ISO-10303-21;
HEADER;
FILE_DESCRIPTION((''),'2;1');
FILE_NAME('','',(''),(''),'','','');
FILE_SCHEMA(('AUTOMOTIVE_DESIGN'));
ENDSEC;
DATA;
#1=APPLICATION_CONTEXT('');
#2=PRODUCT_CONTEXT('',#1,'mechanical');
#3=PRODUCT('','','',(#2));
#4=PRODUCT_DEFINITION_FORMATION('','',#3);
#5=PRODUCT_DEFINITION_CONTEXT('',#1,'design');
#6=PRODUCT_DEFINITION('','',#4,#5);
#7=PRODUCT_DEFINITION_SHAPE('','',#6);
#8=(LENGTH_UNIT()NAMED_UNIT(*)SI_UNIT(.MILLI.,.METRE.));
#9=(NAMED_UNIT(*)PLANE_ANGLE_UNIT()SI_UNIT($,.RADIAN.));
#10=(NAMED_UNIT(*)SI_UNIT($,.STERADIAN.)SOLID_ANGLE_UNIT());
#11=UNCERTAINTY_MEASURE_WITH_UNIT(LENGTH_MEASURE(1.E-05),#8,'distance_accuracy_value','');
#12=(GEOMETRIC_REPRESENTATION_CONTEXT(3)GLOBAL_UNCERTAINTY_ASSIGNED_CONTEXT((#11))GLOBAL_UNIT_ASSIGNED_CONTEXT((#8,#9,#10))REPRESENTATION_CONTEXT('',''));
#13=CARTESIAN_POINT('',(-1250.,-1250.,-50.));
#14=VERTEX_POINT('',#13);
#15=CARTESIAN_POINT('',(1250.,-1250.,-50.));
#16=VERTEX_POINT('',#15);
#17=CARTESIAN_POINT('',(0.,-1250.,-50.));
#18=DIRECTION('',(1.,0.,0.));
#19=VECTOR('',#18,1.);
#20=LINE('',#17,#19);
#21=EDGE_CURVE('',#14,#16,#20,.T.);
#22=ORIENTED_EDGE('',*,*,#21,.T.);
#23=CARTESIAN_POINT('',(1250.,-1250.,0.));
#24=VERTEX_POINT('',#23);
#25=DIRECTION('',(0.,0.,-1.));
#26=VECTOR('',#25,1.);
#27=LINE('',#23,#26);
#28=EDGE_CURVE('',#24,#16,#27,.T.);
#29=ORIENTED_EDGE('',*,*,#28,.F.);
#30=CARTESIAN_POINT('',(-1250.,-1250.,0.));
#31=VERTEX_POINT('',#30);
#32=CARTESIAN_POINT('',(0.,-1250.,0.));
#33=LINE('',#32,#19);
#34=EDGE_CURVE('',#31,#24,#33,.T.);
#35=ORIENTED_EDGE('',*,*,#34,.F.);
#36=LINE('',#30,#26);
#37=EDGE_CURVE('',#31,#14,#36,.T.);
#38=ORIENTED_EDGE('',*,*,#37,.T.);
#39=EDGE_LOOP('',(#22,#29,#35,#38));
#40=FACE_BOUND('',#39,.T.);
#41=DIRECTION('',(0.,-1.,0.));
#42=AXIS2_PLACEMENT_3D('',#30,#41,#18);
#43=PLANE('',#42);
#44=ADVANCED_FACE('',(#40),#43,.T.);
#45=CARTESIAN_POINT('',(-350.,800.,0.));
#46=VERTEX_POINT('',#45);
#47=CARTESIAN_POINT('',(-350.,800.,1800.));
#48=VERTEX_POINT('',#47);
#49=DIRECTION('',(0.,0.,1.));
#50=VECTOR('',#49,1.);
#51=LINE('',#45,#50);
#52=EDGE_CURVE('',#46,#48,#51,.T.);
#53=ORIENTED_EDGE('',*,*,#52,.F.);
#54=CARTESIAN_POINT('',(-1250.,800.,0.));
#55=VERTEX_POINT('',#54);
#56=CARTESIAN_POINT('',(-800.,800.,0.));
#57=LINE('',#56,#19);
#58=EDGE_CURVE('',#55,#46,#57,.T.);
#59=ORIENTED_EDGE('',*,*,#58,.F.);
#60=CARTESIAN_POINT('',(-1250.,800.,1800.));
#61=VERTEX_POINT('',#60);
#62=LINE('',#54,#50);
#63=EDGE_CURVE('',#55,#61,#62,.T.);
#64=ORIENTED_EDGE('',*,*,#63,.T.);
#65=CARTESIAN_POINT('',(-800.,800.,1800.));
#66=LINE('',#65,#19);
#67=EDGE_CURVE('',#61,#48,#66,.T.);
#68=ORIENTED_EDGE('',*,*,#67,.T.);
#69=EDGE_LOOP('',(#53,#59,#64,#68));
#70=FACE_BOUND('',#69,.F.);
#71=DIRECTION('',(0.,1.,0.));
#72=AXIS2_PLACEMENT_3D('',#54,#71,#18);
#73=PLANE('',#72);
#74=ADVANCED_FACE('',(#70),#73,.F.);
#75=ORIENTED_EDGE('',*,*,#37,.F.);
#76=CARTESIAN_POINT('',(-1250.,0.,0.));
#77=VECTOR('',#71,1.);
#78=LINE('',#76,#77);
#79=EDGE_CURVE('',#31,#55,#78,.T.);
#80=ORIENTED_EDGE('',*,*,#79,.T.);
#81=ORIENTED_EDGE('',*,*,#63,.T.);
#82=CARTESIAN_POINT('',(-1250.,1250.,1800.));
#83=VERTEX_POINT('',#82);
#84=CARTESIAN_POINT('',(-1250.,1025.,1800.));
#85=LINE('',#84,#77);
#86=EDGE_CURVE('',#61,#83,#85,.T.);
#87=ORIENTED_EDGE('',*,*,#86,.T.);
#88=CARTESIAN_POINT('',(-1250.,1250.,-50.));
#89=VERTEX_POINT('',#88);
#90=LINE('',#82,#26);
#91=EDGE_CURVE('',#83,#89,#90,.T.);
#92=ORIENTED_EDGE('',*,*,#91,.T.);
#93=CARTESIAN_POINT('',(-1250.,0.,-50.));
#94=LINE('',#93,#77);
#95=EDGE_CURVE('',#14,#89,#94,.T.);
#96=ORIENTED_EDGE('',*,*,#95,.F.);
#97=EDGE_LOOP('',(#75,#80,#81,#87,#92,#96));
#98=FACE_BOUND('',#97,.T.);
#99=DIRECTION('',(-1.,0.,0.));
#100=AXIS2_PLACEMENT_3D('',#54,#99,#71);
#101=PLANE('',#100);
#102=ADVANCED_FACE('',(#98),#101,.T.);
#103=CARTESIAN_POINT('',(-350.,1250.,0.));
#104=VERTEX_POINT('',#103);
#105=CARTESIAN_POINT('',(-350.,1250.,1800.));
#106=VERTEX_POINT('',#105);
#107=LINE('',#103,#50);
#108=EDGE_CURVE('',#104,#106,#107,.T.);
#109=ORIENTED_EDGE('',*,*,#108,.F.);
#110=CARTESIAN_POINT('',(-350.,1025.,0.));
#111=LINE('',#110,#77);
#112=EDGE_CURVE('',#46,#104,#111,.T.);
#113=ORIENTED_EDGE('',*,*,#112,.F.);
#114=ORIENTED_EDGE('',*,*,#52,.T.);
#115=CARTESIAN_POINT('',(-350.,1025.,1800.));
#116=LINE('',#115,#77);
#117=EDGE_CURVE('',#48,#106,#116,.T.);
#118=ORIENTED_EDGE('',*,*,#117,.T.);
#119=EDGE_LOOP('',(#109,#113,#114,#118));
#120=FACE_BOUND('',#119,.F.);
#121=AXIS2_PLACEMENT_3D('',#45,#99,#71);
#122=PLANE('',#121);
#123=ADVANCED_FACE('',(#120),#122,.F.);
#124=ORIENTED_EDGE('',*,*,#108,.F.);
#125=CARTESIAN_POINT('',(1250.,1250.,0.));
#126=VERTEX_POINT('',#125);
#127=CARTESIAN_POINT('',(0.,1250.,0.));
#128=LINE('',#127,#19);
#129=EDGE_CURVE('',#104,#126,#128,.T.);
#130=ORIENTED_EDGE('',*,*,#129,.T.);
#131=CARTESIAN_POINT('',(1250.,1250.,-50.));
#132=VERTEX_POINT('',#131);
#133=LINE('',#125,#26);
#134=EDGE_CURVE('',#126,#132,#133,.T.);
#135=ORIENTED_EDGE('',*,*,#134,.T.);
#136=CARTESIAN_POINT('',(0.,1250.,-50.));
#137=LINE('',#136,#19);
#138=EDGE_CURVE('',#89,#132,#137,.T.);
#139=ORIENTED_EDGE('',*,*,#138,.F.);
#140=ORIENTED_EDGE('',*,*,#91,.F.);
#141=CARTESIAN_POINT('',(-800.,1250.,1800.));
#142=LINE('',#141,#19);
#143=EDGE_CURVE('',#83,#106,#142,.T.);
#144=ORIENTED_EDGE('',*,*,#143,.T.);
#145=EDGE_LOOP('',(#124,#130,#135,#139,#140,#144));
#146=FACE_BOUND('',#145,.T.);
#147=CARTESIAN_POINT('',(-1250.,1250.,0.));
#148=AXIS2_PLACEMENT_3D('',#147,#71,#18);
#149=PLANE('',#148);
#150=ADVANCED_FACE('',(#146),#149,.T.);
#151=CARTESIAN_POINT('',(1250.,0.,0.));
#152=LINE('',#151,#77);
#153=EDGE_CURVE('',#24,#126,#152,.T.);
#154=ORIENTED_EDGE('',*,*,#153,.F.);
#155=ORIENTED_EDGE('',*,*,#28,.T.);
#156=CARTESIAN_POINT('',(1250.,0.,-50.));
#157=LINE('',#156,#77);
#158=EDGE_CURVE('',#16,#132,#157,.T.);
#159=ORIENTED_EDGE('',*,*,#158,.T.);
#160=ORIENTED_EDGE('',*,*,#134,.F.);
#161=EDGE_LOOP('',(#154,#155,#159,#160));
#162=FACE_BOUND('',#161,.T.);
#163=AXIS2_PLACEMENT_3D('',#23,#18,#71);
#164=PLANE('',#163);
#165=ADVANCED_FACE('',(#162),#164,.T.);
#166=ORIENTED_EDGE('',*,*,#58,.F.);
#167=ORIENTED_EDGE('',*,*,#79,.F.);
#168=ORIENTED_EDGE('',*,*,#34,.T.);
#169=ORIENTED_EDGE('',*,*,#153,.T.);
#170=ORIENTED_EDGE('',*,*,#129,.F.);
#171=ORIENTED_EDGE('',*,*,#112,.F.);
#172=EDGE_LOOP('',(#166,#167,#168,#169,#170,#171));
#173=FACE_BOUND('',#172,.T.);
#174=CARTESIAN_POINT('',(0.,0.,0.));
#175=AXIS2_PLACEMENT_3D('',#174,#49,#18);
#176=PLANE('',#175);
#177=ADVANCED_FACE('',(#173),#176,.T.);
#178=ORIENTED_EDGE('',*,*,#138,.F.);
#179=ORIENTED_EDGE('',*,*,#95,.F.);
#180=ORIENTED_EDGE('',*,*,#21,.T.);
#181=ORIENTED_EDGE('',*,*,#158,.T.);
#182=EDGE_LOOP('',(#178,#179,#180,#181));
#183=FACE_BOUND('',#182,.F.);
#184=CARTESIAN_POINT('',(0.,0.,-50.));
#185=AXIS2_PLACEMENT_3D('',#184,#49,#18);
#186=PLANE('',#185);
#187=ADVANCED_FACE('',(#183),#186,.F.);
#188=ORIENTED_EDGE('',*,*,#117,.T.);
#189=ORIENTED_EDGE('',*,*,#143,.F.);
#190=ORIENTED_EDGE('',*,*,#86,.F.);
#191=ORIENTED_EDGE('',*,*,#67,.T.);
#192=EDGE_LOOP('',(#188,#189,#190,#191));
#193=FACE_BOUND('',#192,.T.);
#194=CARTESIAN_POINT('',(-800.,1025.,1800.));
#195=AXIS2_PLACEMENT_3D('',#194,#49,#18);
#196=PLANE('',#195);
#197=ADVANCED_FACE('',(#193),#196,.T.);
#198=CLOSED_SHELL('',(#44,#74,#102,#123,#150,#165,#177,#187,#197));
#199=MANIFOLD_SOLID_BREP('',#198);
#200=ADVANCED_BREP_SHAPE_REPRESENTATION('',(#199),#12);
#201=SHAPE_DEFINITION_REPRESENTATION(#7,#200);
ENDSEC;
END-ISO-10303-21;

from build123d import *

# Parameters (mm, degrees)
F0_W     = 2500
F0_H     = 2500
F1_DEPTH = 50
F2_W     = 900
F2_H     = 450
F3_DEPTH = 1800


with BuildPart() as f1:
    # F0 (on Top) → F1 (new body)
    with BuildSketch(Plane.XY):
        Rectangle(F0_W, F0_H)
    extrude(amount=-F1_DEPTH)

    # F2 (on face) → F3 (join)
    with BuildSketch(Plane.XY):
        with Locations((-800, 1025)):
            Rectangle(F2_W, F2_H)
    extrude(amount=F3_DEPTH)


solid = f1.part
